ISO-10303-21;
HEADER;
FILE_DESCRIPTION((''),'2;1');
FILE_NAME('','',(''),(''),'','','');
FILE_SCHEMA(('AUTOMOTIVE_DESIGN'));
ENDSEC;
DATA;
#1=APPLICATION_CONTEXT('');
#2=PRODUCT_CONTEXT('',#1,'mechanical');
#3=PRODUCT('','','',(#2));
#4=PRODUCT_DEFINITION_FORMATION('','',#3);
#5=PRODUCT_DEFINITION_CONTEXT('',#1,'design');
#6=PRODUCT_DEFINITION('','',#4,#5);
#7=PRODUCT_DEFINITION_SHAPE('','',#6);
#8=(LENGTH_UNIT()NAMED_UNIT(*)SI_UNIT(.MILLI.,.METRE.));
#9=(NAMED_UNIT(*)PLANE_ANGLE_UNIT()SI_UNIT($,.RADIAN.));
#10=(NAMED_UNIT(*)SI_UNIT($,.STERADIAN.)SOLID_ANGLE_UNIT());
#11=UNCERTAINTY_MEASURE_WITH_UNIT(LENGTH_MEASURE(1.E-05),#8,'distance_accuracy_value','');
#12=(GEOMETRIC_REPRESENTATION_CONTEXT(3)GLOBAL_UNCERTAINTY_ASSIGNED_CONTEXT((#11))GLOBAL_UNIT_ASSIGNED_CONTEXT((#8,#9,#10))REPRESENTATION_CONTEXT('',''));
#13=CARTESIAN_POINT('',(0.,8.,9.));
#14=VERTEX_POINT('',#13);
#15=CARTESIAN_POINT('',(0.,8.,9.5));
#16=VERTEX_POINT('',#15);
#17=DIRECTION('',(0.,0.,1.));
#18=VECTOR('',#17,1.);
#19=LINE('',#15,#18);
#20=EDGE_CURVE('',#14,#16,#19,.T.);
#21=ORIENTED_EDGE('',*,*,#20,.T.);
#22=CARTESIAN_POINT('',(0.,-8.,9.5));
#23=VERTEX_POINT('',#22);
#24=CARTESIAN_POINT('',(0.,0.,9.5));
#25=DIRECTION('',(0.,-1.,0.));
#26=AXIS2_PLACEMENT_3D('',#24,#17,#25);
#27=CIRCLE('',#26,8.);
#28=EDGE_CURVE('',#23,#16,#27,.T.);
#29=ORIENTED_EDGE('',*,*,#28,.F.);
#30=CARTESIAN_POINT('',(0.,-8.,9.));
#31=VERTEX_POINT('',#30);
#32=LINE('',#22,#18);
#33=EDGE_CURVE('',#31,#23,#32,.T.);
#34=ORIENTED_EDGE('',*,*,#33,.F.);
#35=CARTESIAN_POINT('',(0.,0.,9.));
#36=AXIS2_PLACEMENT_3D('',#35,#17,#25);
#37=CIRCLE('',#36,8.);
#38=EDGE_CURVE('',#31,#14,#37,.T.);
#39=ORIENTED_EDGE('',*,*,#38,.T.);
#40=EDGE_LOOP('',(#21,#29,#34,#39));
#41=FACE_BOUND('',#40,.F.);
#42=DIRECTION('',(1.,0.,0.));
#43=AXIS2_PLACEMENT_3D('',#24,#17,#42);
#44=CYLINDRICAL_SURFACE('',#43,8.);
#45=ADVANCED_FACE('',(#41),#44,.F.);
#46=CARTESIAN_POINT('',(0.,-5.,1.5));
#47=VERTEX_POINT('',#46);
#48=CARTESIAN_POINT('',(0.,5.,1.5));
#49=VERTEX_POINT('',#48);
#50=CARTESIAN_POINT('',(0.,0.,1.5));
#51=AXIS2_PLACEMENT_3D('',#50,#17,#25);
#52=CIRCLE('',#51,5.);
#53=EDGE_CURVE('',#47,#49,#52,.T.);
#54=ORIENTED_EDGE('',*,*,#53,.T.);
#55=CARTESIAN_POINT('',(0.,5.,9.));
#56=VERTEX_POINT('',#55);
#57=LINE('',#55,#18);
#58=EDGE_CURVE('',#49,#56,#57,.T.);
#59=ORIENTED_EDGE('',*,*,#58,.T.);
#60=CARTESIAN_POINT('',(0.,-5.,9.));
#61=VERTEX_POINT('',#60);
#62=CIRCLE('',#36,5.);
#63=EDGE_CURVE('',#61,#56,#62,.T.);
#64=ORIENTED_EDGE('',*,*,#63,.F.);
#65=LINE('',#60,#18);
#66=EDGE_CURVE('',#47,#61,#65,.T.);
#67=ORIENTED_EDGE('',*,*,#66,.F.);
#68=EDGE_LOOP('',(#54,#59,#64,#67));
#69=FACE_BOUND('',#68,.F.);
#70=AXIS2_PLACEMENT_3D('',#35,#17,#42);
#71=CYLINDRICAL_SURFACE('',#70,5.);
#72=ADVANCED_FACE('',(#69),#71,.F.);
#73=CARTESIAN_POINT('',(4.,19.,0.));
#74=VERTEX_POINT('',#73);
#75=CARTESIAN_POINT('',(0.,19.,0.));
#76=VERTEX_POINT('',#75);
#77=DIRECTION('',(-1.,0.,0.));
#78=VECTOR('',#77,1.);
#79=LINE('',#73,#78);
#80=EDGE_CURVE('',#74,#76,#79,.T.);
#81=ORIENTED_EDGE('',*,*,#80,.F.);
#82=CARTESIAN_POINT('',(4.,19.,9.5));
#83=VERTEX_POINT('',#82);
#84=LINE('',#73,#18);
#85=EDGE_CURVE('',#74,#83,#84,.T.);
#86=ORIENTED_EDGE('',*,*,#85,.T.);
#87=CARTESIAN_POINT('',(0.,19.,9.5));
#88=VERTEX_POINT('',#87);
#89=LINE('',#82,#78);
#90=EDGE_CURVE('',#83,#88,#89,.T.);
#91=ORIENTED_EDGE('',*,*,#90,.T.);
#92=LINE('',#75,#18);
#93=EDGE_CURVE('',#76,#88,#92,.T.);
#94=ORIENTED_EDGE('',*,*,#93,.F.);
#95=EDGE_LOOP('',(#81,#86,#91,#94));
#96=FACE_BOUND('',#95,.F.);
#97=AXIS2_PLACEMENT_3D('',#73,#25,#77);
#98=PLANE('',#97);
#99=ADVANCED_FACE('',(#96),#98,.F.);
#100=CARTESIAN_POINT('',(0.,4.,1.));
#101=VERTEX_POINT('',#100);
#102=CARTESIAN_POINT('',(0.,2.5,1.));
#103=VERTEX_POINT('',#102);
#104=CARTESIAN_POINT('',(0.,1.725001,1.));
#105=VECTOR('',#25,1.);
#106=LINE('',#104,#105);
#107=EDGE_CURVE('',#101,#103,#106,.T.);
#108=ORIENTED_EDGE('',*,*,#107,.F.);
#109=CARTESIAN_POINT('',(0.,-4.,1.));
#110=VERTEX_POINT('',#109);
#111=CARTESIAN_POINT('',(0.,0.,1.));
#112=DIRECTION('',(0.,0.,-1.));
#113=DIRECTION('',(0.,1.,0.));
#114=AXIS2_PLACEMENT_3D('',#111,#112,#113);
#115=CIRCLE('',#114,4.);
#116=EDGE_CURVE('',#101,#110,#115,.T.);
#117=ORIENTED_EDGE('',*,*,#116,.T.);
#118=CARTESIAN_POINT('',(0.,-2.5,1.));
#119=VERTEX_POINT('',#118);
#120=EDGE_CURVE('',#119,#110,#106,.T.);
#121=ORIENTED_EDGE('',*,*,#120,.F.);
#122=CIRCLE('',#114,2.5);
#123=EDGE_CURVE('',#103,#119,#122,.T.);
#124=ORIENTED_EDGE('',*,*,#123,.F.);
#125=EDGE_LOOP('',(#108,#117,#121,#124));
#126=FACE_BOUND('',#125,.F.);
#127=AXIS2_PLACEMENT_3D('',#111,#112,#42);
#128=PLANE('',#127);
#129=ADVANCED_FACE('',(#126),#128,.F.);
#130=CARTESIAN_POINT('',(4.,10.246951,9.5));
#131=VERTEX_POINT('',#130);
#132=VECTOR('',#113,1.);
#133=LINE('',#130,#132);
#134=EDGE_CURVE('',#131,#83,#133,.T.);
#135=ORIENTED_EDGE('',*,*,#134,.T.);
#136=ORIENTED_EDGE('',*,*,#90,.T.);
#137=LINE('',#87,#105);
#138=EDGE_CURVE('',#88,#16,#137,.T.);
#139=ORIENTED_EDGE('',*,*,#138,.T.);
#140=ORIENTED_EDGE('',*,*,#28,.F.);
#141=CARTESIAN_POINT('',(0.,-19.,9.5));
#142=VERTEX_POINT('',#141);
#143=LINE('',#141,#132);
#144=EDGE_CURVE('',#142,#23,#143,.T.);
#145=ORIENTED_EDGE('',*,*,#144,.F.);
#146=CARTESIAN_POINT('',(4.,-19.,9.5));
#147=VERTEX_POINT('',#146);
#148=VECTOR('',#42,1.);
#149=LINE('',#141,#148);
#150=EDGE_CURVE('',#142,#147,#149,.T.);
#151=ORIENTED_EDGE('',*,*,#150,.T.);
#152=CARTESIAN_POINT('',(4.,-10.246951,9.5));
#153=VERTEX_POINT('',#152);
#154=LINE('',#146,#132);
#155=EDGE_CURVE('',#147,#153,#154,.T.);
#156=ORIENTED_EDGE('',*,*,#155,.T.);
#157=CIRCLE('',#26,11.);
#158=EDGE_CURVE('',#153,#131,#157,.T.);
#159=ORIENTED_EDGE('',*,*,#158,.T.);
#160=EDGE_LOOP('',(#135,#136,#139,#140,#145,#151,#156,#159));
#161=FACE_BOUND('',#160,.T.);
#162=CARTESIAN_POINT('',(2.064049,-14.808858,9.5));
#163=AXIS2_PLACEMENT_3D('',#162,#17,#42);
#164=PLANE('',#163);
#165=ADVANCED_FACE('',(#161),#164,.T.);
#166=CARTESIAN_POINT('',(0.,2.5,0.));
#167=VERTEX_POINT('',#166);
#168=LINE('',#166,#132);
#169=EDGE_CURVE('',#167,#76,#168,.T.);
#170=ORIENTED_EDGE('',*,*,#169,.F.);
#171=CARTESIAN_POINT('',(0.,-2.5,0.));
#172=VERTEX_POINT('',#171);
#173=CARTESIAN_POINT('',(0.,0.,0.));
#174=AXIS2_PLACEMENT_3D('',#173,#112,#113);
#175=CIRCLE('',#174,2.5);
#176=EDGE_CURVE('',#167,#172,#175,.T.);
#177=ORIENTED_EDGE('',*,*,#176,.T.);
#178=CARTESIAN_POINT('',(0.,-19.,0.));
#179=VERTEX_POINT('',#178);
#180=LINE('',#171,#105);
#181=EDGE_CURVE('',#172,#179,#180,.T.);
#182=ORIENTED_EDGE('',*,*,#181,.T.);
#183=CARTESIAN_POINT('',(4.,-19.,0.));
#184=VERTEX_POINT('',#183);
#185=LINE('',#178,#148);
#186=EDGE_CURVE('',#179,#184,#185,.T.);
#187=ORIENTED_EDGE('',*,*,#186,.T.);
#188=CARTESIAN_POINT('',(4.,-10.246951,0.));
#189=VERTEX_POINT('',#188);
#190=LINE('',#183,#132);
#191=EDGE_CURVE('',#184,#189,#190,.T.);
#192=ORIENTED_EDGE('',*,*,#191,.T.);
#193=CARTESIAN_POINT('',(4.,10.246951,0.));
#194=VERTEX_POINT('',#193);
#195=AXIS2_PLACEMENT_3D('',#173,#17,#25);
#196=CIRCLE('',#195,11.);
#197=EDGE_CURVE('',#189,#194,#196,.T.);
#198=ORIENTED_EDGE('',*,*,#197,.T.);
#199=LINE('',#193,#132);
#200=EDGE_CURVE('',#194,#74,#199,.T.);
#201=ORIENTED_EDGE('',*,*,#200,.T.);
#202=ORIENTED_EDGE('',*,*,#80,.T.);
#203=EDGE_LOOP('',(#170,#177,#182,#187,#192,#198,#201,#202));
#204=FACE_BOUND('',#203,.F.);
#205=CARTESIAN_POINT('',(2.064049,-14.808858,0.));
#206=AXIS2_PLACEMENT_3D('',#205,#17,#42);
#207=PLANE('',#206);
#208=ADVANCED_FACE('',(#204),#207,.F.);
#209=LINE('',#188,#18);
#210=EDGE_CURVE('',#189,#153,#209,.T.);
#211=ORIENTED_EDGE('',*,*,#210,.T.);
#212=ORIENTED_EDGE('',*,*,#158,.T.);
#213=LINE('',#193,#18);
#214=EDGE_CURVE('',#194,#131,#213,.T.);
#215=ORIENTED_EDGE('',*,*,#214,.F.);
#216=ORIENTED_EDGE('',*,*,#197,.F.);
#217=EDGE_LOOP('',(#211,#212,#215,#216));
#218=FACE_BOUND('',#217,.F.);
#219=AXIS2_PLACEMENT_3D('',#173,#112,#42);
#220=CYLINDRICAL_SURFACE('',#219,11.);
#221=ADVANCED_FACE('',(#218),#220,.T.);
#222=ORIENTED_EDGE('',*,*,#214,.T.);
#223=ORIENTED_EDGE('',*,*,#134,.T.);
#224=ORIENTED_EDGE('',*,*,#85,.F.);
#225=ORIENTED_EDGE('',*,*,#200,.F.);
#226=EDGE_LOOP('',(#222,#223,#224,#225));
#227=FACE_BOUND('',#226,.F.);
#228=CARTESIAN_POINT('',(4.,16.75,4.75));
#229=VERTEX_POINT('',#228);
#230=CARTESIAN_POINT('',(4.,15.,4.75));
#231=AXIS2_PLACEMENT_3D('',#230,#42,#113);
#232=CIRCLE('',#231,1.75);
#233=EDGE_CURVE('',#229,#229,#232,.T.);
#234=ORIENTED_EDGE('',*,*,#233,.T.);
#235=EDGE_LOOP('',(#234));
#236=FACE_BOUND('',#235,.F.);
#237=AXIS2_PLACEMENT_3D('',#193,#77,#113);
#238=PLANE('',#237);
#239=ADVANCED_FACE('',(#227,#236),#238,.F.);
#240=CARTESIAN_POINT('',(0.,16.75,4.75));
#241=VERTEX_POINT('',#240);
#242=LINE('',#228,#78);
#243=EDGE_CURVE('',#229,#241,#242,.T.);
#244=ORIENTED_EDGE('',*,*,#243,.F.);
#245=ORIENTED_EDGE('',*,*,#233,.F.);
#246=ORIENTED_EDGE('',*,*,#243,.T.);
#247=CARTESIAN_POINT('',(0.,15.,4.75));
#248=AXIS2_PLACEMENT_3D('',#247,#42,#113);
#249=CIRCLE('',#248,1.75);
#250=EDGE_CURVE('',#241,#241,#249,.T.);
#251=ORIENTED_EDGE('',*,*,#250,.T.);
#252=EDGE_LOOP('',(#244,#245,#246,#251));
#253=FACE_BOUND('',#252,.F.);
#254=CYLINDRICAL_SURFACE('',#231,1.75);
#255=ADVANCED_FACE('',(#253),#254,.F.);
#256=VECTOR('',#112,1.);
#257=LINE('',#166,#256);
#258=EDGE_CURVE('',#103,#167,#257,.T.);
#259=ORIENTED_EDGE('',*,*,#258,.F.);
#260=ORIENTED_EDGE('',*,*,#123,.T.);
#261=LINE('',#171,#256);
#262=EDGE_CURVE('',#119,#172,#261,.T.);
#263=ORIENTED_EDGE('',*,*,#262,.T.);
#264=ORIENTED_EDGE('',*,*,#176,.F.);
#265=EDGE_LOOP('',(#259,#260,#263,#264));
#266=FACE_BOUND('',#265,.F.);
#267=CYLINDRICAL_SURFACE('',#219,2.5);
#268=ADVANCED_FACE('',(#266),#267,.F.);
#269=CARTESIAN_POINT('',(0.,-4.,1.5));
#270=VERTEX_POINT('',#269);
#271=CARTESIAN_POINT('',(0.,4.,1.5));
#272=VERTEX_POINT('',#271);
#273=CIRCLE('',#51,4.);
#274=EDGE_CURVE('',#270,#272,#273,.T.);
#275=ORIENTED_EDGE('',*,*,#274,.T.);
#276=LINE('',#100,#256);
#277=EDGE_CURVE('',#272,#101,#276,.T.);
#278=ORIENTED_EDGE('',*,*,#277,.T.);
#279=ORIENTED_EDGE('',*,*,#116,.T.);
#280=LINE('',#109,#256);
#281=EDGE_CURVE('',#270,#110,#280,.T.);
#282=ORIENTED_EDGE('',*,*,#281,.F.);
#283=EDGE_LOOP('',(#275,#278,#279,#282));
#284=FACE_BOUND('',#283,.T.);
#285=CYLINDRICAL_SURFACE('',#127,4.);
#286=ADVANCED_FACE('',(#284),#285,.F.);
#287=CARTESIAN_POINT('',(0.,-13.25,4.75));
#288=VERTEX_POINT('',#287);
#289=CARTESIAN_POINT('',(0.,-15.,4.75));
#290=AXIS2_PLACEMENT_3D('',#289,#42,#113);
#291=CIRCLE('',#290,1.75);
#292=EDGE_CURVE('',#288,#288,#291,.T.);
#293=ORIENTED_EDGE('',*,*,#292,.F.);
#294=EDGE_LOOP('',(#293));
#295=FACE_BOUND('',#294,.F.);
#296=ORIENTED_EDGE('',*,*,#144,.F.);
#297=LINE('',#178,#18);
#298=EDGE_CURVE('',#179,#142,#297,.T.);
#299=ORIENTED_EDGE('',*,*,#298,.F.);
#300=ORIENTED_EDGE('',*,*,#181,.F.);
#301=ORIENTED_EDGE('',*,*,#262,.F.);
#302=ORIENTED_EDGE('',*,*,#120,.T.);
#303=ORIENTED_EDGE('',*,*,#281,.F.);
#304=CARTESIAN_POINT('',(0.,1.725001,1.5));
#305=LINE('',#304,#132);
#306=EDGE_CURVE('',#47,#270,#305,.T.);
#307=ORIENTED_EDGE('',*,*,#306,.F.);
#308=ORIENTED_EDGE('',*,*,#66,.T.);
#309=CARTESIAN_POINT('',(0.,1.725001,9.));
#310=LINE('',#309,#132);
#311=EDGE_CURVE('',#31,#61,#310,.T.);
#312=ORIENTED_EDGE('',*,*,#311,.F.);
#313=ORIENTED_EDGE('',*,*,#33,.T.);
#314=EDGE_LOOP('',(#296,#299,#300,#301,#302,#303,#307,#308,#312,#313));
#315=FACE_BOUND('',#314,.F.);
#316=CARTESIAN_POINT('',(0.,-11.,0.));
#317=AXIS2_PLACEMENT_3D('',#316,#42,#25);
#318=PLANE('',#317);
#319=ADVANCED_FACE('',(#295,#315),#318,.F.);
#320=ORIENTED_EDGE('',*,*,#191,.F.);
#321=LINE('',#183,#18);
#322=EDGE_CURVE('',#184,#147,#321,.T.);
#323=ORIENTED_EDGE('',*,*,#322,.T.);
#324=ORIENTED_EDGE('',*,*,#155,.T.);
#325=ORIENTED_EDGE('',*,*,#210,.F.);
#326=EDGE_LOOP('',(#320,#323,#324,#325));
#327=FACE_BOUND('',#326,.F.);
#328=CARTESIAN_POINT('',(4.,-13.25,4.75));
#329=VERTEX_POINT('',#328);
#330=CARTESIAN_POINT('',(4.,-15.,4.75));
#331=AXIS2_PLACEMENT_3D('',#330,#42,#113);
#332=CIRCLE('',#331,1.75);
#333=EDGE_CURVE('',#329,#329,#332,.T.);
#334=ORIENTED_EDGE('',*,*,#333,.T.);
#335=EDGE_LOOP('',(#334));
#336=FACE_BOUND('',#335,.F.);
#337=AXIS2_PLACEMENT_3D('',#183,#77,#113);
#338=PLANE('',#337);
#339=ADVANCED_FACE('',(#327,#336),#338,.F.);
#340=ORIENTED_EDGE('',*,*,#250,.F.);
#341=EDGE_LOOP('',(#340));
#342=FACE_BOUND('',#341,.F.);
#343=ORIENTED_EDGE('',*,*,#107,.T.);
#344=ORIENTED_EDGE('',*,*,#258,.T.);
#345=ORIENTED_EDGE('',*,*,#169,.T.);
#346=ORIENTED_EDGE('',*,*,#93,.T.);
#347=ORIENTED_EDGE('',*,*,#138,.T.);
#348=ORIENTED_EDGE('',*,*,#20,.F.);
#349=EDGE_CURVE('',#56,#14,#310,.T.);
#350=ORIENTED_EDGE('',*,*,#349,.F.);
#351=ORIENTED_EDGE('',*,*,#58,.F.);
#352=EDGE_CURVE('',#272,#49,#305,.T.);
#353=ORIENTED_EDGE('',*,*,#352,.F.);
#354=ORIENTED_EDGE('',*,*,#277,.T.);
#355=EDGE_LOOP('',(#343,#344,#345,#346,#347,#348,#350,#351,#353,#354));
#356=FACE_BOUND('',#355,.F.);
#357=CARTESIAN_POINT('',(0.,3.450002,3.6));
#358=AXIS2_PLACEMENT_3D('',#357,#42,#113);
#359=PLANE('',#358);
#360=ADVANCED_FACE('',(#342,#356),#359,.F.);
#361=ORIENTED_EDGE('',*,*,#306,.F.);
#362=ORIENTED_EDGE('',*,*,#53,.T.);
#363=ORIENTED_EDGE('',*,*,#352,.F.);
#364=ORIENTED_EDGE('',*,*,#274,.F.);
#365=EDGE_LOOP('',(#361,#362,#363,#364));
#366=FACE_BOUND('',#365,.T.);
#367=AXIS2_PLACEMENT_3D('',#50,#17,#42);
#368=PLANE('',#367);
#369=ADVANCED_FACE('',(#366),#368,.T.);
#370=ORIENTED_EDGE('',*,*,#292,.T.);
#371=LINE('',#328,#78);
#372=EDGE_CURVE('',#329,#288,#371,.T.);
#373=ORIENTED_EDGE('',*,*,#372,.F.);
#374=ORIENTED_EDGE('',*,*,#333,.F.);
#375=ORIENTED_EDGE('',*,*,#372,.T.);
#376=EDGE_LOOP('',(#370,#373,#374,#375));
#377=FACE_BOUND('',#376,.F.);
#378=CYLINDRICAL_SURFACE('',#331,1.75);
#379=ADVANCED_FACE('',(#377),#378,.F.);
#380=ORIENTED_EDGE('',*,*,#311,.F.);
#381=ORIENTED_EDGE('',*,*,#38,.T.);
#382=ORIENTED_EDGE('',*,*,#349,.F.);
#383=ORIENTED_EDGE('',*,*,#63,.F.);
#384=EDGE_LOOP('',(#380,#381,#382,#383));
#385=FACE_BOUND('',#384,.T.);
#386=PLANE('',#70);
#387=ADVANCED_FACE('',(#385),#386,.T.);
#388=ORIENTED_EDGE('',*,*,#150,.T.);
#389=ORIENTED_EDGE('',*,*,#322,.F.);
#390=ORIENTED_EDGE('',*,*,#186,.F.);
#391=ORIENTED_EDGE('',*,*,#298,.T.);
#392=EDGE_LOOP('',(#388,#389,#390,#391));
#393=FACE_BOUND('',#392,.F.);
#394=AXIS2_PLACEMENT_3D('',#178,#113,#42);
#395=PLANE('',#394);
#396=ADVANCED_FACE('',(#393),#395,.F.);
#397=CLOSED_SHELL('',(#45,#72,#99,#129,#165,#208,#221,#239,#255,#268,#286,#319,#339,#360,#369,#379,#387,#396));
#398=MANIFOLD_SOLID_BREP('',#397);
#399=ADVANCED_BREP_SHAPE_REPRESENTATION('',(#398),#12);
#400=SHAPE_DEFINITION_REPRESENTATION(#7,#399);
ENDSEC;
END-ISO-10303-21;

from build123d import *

# Parameters (mm, degrees)
F0_R      = 11
F1_DEPTH  = 9.5
F2_R      = 8
F3_DEPTH  = 0.5
F4_R      = 5
F5_DEPTH  = 25
F6_R      = 5
F6_R_2    = 2.5
F7_DEPTH  = 1
F8_R      = 5
F8_R_2    = 4
F9_DEPTH  = 0.5
F10_W     = 63.0000028759
F10_H     = 42.9000016302
F11_DEPTH = 25
F13_DEPTH = 9.5
F14_R     = 1.75
F15_DEPTH = 25


with BuildPart() as f1:
    # F0 (on Top) → F1 (new body)
    with BuildSketch(Plane.XY):
        Circle(F0_R)
    extrude(amount=F1_DEPTH)

    # F2 (on face) → F3 (cut)
    with BuildSketch(Plane.XY.offset(9.5)):
        Circle(F2_R)
    extrude(amount=-F3_DEPTH, mode=Mode.SUBTRACT)

    # F4 (on face) → F5 (cut)
    with BuildSketch(Plane.XY.offset(9)):
        Circle(F4_R)
    extrude(amount=-F5_DEPTH, mode=Mode.SUBTRACT)

    # F6 (on face) → F7 (join)
    with BuildSketch(Plane(origin=(0, 0, 0), x_dir=(1, 0, 0), z_dir=(0, 0, -1))):
        Circle(F6_R)
        Circle(F6_R_2, mode=Mode.SUBTRACT)
    extrude(amount=-F7_DEPTH)

    # F8 (on face) → F9 (join)
    with BuildSketch(Plane.XY.offset(1)):
        Circle(F8_R)
        Circle(F8_R_2, mode=Mode.SUBTRACT)
    extrude(amount=F9_DEPTH)

    # F10 (on Right) → F11 (cut)
    with BuildSketch(Plane.YZ):
        with Locations((3.45000159, 3.6000004038)):
            Rectangle(F10_W, F10_H)
    extrude(amount=-F11_DEPTH, mode=Mode.SUBTRACT)

    # F12 (on Top) → F13 (join)
    with BuildSketch(Plane.XY):
        with BuildLine():
            ThreePointArc((4, -10.246950766), (2.0351340956, -10.810098483), (0, -11))
            Line((0, -11), (0, -19))
            Line((0, -19), (4, -19))
            Line((4, -19), (4, -10.246950766))
        make_face()
        with BuildLine():
            Line((0, 19), (0, 11))
            ThreePointArc((0, 11), (2.0351340956, 10.810098483), (4, 10.246950766))
            Line((4, 10.246950766), (4, 19))
            Line((4, 19), (0, 19))
        make_face()
    extrude(amount=F13_DEPTH)

    # F14 (on face) → F15 (cut)
    with BuildSketch(Plane.YZ.offset(4)):
        with Locations((-15, 4.75)):
            Circle(F14_R)
        with Locations((15, 4.75)):
            Circle(F14_R)
    extrude(amount=-F15_DEPTH, mode=Mode.SUBTRACT)


solid = f1.part
